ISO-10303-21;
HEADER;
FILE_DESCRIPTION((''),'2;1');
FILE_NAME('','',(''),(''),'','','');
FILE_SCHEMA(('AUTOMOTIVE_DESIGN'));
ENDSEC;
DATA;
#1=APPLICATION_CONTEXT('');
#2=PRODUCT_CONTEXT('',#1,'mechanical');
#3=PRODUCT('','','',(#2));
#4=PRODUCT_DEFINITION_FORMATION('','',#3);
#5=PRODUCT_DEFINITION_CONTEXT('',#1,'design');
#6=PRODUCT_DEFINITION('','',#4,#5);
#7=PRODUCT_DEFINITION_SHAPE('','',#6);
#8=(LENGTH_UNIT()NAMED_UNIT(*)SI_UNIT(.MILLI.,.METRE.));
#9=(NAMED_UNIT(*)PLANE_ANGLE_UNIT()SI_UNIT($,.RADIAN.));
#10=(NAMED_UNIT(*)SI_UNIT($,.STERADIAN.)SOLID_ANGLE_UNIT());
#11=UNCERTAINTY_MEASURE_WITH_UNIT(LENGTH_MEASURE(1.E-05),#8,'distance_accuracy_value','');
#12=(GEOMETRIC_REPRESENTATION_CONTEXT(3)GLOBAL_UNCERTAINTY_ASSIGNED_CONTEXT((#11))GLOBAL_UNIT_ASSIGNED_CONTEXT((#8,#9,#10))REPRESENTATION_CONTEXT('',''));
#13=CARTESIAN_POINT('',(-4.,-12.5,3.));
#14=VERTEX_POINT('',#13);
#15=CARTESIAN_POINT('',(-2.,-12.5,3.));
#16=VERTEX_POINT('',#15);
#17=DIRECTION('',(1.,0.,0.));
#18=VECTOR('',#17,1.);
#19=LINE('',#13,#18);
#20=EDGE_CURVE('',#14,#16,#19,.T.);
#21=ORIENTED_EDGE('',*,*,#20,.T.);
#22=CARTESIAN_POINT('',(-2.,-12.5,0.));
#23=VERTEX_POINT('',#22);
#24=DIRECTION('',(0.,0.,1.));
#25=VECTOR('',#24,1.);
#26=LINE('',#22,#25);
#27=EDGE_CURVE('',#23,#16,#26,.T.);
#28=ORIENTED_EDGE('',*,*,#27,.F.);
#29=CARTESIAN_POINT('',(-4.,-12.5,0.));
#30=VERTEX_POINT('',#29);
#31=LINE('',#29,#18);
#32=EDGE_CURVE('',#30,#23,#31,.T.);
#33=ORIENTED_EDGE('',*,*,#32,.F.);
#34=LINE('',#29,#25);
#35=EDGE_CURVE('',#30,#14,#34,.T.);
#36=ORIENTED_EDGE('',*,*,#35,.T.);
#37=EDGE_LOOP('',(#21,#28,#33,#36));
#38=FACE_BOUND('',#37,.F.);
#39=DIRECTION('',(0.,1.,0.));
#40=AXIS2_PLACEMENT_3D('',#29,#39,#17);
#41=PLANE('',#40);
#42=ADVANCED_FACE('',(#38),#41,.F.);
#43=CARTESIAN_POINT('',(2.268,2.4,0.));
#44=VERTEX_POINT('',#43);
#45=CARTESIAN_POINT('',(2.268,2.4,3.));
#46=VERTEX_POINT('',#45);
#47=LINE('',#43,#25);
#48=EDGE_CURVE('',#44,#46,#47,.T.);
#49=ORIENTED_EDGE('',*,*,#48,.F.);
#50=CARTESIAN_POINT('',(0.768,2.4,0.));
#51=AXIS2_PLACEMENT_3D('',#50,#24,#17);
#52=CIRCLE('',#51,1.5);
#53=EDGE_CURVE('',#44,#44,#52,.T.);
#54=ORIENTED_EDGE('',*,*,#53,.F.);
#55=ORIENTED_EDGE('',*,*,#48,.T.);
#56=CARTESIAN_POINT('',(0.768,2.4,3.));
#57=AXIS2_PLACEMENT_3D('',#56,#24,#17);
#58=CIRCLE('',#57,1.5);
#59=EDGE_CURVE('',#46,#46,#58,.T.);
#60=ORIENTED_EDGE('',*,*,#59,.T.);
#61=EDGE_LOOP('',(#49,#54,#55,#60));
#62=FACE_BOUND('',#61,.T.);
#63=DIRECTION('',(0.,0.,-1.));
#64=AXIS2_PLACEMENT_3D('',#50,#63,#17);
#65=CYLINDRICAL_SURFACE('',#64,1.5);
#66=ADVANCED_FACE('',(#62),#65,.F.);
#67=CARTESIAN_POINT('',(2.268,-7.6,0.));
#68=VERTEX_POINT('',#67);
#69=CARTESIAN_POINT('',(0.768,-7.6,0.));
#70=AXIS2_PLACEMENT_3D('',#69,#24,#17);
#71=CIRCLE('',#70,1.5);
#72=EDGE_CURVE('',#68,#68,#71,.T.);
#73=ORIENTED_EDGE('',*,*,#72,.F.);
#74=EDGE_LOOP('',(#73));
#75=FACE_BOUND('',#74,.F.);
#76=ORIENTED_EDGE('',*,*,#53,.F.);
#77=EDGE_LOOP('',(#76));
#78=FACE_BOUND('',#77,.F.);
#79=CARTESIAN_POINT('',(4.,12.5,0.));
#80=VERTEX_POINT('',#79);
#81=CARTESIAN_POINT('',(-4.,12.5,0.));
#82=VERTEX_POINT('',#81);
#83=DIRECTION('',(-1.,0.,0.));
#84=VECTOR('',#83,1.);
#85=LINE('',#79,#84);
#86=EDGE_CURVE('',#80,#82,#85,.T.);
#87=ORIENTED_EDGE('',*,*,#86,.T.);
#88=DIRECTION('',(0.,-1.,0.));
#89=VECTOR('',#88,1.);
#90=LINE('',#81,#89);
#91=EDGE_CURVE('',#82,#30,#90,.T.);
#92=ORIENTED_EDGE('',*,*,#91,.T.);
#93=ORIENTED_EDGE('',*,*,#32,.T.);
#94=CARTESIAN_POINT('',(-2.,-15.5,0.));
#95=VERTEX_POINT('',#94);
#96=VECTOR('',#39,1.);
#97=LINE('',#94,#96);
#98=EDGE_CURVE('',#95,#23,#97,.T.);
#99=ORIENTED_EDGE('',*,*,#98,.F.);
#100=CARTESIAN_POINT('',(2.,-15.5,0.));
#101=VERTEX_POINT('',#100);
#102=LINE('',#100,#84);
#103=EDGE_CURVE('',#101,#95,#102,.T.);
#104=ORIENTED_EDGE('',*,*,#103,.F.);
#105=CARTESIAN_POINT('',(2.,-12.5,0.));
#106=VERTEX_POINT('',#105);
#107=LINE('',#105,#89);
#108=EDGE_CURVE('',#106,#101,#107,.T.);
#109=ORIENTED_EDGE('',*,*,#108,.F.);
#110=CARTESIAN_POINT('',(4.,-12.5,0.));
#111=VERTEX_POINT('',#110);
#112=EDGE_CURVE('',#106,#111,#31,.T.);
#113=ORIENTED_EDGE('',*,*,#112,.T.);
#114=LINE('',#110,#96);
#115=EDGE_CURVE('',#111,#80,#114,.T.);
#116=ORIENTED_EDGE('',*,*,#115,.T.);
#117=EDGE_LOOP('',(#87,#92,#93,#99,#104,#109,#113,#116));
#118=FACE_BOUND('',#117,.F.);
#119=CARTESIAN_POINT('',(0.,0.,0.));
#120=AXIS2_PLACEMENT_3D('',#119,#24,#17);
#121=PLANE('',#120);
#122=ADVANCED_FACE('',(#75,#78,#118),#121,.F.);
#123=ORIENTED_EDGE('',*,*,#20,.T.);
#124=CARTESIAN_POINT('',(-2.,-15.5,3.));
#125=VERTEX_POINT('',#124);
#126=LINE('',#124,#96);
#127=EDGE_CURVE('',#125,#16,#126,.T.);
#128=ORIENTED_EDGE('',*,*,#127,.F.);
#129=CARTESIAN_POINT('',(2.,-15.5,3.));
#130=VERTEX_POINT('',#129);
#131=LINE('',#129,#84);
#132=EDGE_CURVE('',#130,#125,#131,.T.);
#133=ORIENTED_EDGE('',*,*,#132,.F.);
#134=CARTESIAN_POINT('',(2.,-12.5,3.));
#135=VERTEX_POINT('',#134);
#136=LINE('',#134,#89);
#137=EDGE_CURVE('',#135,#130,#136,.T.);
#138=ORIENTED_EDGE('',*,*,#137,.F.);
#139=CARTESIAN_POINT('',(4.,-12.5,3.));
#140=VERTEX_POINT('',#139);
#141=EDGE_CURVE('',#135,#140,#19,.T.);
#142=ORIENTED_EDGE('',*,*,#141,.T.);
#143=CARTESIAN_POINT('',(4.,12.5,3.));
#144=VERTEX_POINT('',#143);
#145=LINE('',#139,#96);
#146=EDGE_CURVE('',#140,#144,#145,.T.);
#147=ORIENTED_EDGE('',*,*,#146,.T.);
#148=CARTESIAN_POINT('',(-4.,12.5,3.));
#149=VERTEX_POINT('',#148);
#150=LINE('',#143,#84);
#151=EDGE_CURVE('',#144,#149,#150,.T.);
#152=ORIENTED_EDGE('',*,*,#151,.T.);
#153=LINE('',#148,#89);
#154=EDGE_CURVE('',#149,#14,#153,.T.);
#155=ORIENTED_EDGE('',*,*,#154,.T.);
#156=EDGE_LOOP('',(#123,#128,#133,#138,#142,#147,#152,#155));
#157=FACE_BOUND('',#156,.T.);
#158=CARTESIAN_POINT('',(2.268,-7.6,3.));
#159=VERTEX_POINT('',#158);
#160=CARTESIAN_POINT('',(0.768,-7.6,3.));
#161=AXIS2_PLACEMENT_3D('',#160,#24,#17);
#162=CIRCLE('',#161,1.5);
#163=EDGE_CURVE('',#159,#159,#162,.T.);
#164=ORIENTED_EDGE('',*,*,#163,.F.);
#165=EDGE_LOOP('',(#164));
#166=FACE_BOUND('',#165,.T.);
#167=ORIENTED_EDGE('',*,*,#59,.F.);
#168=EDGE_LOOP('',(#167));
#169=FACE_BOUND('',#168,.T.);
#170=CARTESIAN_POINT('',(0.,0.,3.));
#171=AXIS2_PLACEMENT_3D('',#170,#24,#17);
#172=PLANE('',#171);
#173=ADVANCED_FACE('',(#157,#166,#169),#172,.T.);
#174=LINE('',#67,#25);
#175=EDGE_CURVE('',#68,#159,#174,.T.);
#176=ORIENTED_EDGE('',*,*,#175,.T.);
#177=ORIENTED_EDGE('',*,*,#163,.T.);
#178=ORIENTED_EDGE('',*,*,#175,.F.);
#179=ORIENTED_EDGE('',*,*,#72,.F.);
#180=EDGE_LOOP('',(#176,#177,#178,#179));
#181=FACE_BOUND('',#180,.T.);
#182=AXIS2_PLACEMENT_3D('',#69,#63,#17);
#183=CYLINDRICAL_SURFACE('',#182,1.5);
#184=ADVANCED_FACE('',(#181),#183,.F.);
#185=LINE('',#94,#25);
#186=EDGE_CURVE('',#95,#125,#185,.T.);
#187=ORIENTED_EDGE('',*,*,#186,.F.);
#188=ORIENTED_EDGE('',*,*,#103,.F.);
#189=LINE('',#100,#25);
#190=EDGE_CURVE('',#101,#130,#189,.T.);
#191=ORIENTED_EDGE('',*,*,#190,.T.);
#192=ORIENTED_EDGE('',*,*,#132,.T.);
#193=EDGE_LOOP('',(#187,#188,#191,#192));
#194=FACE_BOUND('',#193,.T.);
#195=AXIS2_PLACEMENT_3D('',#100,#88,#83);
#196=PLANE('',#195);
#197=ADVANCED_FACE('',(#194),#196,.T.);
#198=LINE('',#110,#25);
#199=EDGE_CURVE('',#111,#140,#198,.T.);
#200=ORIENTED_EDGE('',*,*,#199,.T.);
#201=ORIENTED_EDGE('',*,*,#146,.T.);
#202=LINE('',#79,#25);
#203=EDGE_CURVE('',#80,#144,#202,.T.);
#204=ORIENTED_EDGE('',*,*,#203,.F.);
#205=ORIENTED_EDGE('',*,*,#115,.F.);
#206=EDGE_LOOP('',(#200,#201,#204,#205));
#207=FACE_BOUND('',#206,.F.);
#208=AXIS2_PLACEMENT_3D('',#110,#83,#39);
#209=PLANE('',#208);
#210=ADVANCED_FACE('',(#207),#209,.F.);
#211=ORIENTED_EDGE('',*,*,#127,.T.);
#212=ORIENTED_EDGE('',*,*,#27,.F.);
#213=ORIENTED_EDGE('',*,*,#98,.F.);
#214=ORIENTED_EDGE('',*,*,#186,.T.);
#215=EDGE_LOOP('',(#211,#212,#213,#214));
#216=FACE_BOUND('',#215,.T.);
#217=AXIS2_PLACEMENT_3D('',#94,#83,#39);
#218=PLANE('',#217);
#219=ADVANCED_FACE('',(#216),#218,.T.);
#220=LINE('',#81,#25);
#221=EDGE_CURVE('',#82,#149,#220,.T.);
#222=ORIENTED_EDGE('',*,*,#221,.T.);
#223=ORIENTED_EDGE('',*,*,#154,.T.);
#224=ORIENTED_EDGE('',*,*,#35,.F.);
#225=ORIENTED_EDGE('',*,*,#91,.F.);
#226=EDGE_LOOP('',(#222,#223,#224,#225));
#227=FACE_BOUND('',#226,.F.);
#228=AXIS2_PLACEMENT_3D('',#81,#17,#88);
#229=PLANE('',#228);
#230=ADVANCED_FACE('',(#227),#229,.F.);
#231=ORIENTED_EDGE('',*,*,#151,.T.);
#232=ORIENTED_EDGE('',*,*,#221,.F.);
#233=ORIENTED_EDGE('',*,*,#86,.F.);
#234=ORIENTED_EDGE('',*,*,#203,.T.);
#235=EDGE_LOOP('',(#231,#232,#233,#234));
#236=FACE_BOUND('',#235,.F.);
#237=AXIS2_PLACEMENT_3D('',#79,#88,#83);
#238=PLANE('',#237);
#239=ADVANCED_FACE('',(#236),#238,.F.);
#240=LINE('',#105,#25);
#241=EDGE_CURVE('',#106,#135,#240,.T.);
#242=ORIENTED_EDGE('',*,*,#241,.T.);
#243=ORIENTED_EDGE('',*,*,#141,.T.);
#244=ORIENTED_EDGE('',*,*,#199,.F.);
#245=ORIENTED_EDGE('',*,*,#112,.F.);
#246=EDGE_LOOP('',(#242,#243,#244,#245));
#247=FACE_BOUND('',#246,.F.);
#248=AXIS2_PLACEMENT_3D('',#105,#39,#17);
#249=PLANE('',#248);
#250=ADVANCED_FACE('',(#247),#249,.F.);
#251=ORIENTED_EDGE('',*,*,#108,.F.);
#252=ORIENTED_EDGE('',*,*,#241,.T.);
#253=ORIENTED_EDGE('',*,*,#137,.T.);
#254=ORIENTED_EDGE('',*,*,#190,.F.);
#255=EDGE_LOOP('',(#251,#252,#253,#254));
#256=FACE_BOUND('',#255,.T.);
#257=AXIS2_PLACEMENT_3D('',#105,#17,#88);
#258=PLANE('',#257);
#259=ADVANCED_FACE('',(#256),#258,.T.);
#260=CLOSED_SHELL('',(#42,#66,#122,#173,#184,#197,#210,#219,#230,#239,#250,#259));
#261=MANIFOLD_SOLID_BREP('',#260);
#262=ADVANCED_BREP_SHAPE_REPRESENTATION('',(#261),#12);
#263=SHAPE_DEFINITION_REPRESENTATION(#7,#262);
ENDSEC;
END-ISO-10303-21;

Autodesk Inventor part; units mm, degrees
ref_plane "YZ Plane" through (0, 0, 0) normal (1, 0, 0) x (0, 1, 0)
ref_plane "XZ Plane" through (0, 0, 0) normal (0, 1, 0) x (-1, 0, 0)
ref_plane "XY Plane" through (0, 0, 0) normal (0, 0, 1) x (1, 0, 0)
sketch "Sketch1" plane through (0, 0, 0) normal (0, 0, 1) x (1, 0, 0)
  line L0 (-4, -12.5) -> (4, -12.5)
  line L1 (4, -12.5) -> (4, 12.5)
  line L2 (4, 12.5) -> (-4, 12.5)
  line L3 (-4, 12.5) -> (-4, -12.5)
  line L4 (-4, -12.5) -> (4, 12.5) construction
  line L5 (4, -12.5) -> (-4, 12.5) construction
  line L6 (-2, -12.5) -> (2, -12.5)
  line L7 (2, -12.5) -> (2, -15.5)
  line L8 (2, -15.5) -> (-2, -15.5)
  line L9 (-2, -15.5) -> (-2, -12.5)
  circle A0 centre (0.768, 2.4) radius 1.5
  circle A1 centre (0.768, -7.6) radius 1.5
  point P0 (0, 0)
  point P1 (0, -15.5)
  point P2 (0, -12.5)
  point P3 (0, 12.5)
  dimension "d0" = 25
  dimension "d1" = 8
  dimension "d2" = 3
  dimension "d3" = 4
  dimension "d9" = 3
  dimension "d10" = 10.1
  dimension "d11" = 3
  dimension "d12" = 10
extrude "Extrusion1" add sketch "Sketch1" along normal blind 3
properties material "MDF Medium Density Fiberboard"
